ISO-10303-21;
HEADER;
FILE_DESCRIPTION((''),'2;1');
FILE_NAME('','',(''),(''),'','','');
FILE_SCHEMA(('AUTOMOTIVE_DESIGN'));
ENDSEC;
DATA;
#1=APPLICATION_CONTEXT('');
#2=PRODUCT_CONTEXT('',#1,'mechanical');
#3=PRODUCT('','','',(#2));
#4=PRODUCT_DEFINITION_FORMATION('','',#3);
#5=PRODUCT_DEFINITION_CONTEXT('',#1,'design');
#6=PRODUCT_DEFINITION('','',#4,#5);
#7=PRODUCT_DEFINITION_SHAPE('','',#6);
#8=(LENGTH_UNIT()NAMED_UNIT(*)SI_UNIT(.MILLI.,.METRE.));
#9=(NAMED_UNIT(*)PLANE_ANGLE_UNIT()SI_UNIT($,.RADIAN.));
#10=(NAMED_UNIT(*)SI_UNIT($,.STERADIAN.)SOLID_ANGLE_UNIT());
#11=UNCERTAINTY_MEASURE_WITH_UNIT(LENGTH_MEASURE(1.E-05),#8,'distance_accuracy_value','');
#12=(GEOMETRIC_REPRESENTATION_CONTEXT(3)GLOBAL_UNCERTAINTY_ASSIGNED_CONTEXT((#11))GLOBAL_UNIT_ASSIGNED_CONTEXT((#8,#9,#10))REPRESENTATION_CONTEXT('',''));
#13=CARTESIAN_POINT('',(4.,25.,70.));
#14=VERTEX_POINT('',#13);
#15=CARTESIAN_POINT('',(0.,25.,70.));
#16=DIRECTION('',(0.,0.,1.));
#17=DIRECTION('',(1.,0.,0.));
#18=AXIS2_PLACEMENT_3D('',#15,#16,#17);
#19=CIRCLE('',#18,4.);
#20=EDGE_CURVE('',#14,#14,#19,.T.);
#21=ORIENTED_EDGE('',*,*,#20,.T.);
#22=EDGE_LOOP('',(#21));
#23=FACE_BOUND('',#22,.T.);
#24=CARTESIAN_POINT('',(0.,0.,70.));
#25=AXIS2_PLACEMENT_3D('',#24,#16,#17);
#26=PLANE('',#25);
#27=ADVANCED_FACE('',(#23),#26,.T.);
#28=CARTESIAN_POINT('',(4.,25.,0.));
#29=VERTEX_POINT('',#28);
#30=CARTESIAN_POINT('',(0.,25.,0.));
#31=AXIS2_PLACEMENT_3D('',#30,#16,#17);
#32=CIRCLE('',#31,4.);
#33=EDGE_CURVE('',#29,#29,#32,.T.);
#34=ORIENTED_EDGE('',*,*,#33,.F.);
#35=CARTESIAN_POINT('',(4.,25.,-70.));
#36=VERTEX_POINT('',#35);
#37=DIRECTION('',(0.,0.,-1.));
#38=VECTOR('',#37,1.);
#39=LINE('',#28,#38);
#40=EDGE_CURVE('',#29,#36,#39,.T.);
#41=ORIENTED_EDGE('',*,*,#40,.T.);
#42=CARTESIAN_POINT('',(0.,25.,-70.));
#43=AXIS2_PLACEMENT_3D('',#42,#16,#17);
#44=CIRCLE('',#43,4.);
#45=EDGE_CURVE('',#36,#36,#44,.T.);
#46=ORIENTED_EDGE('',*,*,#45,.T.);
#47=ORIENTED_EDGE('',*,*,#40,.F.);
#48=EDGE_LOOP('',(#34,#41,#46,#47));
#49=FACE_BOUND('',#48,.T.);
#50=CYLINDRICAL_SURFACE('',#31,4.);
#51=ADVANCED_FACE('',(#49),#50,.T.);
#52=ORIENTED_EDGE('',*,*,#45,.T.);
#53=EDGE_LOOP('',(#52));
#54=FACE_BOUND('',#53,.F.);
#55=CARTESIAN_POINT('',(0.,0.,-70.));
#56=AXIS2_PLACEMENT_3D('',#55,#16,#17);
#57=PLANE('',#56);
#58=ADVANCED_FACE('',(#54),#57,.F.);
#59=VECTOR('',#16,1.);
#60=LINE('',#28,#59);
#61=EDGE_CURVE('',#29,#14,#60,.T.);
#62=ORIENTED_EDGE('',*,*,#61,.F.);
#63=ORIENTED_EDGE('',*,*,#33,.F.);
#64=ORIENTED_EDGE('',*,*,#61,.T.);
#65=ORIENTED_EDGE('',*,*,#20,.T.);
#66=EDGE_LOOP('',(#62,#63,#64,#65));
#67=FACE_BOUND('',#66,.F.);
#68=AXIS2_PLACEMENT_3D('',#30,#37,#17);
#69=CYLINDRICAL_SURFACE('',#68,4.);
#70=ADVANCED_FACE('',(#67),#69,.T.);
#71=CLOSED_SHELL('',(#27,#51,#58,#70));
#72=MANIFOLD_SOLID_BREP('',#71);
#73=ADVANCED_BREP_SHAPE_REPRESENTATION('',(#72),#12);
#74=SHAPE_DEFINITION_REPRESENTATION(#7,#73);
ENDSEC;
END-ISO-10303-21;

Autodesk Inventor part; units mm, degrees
ref_plane "YZ Plane" through (0, 0, 0) normal (1, 0, 0) x (0, 1, 0)
ref_plane "XZ Plane" through (0, 0, 0) normal (0, 1, 0) x (-1, 0, 0)
ref_plane "XY Plane" through (0, 0, 0) normal (0, 0, 1) x (1, 0, 0)
sketch "Sketch1" plane through (0, 0, 0) normal (0, 0, 1) x (1, 0, 0)
  arc A0 (8, 25) -> (-8, 25) centre (0, 25) ccw construction
  circle A1 centre (0, 25) radius 4
  point P0 (0, 0)
  dimension "d2" = 8
extrude "Extrusion1" add sketch "Sketch1" along normal mid plane 140
thread "Thread1" size "M8x1.25" class "6g" standard "ANSI Metric M Profile" full length
properties part number "axis"
